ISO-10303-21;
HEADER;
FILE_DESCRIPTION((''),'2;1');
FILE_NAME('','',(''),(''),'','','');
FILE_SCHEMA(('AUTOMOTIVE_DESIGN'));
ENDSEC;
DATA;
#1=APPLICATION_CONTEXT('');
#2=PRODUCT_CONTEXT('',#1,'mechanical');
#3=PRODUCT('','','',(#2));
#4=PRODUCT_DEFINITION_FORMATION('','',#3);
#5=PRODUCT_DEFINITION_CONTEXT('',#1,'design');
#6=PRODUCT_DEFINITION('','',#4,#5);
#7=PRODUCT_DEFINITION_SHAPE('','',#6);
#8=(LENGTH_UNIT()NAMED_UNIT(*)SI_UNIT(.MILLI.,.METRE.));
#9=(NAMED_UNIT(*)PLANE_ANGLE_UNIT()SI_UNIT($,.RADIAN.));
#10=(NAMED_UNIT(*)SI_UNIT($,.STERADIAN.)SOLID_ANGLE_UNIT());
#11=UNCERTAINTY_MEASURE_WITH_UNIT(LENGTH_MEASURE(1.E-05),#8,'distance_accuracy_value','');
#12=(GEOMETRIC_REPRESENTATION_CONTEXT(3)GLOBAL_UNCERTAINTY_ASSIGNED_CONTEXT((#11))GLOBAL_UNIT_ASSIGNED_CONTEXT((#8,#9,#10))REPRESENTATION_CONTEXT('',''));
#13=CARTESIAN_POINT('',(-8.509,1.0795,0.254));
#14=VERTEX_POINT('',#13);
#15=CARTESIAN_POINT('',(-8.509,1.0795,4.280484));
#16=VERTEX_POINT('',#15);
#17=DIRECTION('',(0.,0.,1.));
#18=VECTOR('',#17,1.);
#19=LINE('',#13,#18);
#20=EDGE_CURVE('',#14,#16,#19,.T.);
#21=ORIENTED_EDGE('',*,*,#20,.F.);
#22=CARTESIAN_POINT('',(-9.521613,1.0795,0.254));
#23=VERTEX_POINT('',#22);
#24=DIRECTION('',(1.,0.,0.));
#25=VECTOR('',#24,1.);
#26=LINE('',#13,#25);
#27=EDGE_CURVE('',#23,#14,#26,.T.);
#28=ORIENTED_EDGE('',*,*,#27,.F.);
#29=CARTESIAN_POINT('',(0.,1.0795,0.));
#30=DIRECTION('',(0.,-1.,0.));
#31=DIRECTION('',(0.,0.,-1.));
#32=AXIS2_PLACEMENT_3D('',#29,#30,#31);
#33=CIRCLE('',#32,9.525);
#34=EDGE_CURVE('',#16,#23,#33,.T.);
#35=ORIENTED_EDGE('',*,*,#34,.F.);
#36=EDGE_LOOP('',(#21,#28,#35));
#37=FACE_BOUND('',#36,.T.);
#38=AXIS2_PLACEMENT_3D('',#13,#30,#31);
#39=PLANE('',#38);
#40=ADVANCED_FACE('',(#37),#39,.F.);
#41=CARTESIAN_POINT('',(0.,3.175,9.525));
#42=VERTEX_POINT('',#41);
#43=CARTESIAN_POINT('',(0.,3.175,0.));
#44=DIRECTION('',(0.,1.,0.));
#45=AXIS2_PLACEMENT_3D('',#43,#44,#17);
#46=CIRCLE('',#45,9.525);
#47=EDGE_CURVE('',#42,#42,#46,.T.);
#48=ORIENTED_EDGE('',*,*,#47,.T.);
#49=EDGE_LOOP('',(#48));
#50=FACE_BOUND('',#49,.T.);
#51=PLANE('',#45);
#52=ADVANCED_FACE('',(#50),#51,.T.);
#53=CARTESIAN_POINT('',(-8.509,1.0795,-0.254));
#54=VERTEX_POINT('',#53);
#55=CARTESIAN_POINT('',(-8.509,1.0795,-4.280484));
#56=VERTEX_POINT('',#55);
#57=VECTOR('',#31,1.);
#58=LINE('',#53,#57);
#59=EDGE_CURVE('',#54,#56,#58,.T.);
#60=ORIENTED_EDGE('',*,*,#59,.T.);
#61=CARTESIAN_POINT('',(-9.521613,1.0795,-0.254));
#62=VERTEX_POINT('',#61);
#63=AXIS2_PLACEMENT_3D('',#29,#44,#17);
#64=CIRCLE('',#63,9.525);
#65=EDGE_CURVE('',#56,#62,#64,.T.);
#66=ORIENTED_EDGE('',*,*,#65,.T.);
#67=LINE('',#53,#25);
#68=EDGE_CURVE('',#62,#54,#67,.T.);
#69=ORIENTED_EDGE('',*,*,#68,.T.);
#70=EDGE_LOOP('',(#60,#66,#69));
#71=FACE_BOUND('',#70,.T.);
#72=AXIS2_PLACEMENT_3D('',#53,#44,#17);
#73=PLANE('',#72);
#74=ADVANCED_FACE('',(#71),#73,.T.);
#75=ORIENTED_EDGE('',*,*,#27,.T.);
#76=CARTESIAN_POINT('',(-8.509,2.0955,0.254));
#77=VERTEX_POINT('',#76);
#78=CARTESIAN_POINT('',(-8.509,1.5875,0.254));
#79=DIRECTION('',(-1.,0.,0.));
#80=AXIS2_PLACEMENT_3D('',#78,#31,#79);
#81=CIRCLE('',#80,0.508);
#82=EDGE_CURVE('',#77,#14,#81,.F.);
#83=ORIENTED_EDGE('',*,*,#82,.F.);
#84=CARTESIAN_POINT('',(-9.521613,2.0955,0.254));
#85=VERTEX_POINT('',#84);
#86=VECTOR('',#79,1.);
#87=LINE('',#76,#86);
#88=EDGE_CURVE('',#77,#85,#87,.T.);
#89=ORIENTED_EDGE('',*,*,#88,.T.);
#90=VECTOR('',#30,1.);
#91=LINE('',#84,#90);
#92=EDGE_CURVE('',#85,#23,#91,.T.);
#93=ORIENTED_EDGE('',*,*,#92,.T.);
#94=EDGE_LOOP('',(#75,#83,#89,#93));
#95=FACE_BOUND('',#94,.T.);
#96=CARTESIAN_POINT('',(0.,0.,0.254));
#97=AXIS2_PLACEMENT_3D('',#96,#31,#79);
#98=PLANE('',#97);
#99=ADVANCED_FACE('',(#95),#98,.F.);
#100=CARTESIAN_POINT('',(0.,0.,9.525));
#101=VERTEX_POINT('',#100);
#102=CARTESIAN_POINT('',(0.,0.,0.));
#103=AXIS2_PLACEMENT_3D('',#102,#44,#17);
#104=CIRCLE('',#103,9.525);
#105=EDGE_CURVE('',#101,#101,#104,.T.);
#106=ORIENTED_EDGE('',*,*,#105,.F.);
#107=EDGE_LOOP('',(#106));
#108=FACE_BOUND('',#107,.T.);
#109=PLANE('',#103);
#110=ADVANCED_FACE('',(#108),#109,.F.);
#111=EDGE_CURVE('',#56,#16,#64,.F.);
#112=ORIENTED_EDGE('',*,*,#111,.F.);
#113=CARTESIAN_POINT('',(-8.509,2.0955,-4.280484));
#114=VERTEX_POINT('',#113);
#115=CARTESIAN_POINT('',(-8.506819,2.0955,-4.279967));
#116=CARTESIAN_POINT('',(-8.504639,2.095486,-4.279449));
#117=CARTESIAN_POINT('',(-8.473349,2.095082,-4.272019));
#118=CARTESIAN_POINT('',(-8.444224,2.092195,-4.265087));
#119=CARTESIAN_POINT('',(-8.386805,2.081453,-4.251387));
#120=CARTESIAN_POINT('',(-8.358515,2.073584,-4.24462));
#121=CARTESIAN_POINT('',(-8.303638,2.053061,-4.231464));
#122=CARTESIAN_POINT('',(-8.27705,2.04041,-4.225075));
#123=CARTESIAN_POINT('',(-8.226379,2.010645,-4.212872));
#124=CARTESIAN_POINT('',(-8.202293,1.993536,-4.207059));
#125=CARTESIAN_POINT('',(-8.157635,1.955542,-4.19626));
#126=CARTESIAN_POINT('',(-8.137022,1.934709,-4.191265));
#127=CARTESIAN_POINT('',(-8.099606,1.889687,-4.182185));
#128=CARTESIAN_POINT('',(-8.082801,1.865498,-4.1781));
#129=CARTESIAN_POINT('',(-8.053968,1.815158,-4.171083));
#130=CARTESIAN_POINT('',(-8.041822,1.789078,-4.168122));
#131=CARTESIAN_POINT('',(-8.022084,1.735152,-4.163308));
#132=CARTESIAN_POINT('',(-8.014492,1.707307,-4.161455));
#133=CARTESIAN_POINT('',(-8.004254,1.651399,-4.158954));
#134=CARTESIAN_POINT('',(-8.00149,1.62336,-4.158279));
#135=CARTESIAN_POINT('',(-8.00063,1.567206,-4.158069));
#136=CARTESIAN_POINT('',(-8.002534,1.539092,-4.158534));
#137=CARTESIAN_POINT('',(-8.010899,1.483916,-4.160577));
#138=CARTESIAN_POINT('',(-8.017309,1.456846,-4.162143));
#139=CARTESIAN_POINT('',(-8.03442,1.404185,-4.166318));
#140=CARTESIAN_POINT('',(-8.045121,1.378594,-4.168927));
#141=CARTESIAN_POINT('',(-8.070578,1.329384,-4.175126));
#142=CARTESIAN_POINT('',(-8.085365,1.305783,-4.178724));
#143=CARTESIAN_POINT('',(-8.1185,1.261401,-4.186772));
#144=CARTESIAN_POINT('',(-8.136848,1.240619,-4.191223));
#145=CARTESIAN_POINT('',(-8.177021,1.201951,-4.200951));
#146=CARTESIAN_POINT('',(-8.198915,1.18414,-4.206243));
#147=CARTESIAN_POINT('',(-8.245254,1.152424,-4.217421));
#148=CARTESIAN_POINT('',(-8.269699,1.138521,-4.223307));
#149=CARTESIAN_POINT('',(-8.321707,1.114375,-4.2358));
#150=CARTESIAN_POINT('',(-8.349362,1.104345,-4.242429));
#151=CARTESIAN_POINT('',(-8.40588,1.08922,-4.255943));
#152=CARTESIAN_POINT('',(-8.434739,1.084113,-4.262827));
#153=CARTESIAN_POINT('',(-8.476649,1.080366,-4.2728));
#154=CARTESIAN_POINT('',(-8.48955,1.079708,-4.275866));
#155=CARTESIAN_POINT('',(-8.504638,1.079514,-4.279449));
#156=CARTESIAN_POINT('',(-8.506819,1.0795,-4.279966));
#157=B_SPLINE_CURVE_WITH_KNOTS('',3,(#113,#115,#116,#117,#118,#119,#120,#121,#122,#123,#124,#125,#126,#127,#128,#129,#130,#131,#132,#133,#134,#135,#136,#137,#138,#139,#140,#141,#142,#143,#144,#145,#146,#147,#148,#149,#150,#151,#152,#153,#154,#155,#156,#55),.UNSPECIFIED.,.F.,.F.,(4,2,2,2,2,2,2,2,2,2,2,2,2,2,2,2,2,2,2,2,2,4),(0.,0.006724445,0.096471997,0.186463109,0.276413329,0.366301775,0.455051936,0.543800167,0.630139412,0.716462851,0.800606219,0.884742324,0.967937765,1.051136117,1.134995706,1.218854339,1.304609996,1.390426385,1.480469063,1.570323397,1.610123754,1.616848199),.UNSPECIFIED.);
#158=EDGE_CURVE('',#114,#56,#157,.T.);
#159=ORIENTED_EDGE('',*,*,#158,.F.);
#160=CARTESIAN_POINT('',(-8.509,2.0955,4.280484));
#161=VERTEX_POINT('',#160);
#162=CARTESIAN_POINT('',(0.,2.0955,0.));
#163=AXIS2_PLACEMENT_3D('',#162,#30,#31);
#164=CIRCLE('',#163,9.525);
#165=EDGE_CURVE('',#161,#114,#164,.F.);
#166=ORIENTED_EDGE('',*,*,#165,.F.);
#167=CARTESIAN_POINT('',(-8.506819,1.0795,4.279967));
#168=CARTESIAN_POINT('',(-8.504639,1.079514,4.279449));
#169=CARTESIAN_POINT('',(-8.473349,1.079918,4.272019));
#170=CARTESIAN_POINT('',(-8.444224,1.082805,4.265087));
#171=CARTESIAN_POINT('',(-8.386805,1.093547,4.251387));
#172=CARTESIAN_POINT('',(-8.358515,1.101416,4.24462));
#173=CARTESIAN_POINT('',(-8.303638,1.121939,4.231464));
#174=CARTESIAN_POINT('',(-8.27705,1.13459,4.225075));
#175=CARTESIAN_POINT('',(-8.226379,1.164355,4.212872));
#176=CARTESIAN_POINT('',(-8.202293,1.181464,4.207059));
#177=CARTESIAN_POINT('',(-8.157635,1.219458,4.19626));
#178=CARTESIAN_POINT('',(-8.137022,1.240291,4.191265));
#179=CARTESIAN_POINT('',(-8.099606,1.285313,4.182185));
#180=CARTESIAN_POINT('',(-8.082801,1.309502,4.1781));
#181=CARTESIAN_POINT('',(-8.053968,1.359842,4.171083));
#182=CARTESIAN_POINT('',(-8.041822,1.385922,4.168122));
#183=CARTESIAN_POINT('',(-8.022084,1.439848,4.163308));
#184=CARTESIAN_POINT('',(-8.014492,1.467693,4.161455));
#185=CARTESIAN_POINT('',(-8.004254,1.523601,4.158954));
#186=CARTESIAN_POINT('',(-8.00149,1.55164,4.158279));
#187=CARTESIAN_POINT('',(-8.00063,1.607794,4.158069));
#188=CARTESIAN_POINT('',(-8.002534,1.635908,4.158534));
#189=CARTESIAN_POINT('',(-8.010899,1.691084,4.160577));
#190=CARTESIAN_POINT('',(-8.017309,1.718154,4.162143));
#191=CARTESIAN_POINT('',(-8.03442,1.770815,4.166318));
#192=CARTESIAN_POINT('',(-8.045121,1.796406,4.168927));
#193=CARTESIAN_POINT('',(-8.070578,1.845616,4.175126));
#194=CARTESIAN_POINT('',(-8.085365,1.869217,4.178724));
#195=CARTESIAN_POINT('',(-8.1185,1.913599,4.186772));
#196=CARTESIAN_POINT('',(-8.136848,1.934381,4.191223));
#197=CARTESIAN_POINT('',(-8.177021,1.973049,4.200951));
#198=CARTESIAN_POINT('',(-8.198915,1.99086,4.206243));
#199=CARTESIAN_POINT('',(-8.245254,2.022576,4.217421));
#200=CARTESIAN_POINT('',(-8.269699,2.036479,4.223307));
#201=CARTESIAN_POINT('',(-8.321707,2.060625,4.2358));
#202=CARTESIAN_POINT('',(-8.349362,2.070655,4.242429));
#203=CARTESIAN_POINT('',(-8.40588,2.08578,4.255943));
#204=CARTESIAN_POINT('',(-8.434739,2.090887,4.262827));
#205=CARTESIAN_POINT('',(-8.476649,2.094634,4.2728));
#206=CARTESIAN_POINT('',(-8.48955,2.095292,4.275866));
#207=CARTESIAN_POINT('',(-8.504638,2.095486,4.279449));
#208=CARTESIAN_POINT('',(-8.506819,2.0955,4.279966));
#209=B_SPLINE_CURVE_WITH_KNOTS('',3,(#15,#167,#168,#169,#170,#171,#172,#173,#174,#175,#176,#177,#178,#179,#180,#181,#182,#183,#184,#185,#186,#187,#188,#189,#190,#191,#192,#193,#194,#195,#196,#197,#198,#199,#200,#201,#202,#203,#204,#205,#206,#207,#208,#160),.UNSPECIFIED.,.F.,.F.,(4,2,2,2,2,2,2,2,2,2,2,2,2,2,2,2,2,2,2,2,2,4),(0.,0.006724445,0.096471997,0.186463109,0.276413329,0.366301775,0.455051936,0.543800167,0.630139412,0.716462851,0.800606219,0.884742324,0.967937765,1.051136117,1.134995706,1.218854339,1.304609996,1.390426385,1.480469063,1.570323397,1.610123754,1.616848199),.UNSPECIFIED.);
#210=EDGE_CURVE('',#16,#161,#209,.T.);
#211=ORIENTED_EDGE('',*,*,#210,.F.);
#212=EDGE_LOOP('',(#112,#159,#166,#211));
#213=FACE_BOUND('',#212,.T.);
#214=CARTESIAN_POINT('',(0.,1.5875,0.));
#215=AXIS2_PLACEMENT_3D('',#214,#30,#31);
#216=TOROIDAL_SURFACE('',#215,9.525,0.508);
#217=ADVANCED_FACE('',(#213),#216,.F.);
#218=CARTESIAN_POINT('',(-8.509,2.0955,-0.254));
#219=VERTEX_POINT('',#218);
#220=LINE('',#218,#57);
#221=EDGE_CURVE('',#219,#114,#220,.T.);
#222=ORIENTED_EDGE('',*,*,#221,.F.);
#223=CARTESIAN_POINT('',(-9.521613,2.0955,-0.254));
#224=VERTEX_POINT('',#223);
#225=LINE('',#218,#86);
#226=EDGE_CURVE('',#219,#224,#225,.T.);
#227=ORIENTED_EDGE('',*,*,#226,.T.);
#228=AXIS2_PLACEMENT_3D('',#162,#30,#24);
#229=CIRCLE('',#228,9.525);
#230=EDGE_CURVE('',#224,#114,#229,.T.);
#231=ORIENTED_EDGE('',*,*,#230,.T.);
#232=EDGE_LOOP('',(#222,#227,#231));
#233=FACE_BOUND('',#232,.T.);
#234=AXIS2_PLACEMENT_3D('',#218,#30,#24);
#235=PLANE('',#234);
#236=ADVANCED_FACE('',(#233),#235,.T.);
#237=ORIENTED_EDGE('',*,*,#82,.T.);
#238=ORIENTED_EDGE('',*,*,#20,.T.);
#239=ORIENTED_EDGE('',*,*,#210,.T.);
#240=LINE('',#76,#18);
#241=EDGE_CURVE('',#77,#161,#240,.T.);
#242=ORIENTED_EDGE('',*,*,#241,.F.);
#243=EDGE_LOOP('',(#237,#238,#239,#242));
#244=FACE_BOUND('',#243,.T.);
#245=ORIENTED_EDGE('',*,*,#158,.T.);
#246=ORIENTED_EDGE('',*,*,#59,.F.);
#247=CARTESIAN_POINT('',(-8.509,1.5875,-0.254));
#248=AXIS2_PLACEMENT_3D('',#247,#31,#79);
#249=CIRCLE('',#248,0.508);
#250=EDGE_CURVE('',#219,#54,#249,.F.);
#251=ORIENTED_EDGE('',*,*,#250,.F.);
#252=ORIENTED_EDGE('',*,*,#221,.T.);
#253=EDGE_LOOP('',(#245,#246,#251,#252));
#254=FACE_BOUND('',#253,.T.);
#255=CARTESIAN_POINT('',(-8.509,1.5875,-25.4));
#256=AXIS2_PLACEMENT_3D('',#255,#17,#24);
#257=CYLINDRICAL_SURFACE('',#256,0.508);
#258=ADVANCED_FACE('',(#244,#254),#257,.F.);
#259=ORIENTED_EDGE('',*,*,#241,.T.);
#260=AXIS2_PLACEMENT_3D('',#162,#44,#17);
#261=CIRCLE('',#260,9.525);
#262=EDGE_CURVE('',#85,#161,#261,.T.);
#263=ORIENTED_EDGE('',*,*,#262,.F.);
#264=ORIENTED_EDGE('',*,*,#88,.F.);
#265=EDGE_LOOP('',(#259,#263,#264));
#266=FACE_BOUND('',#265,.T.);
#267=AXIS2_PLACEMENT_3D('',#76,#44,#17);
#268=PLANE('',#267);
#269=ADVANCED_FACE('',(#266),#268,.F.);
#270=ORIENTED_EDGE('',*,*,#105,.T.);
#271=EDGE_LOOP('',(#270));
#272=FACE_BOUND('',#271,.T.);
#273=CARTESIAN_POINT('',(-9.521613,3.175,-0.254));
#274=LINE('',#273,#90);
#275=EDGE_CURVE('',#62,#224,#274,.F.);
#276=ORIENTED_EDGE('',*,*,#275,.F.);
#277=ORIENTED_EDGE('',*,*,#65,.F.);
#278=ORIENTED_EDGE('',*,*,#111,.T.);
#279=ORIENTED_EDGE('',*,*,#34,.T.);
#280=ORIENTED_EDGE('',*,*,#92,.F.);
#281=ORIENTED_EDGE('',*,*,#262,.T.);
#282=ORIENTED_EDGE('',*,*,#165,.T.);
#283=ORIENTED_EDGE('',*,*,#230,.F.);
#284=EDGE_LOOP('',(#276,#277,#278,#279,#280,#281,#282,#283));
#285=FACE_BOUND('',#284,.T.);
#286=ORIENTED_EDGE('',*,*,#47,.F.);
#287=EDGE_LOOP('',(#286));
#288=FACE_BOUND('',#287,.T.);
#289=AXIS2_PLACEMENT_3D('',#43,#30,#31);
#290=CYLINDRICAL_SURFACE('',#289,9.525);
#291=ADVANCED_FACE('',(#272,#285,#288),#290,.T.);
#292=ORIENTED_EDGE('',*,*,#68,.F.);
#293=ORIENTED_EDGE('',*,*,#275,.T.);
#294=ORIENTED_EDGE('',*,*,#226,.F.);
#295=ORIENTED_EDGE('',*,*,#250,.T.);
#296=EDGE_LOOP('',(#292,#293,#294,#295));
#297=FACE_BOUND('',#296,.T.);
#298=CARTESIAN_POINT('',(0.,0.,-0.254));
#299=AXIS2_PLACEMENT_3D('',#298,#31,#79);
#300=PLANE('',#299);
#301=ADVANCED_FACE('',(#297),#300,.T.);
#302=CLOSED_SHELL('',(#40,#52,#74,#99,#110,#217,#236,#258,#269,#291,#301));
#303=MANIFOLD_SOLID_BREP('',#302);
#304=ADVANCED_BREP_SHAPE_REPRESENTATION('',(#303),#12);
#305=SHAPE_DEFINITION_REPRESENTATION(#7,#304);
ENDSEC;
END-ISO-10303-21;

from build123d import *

# Parameters (mm, degrees)
SKETCH1_R           = 9.525
BOSS_EXTRUDE1_DEPTH = 3.175
SKETCH3_R           = 0.508
CUT_EXTRUDE1_DEPTH  = 25.4
SKETCH6_W           = 1.016
SKETCH6_H           = 1.016
CUT_EXTRUDE2_DEPTH  = 7.366
SKETCH7_W           = 1.012612731
SKETCH7_H           = 1.016
CUT_EXTRUDE3_DEPTH  = 7.366
SKETCH4_R           = 0.508


with BuildPart() as part:
    # Sketch1 → Boss-Extrude1 (new body)
    with BuildSketch(Plane(origin=(0, 0, 0), x_dir=(1, 0, 0), z_dir=(0, 1, 0))):
        Circle(SKETCH1_R)
    extrude(amount=BOSS_EXTRUDE1_DEPTH)

    # Sketch3 → Cut-Extrude1 (cut, symmetric)
    with BuildSketch(Plane.XY):
        with Locations((-8.509, 1.5875)):
            Circle(SKETCH3_R)
    extrude(amount=CUT_EXTRUDE1_DEPTH, both=True, mode=Mode.SUBTRACT)

    # Sketch6 → Cut-Extrude2 (cut)
    with BuildSketch(Plane.XY.offset(-7.62)):
        with Locations((-9.017, 1.5875)):
            Rectangle(SKETCH6_W, SKETCH6_H)
    extrude(amount=CUT_EXTRUDE2_DEPTH, mode=Mode.SUBTRACT)

    # Sketch7 → Cut-Extrude3 (cut)
    with BuildSketch(Plane.XY.offset(7.62)):
        with Locations((-9.015306366, 1.5875)):
            Rectangle(SKETCH7_W, SKETCH7_H)
    extrude(amount=-CUT_EXTRUDE3_DEPTH, mode=Mode.SUBTRACT)

    # Cut-Sweep1: sweep along a path in Sketch5
    with BuildLine(Plane(origin=(0, 0, 0), x_dir=(1, 0, 0), z_dir=(0, 1, 0))) as cut_sweep1_path:
        ThreePointArc((-7.554809844, -0.994609585), (7.62, 0), (-7.554809844, 0.994609585))
    # Sketch4 → Cut-Sweep1 (sweep, cut)
    with BuildSketch(Plane.XY):
        with Locations((9.525, 1.5875)):
            Circle(SKETCH4_R)
    sweep(path=cut_sweep1_path.line, mode=Mode.SUBTRACT)


solid = part.part
